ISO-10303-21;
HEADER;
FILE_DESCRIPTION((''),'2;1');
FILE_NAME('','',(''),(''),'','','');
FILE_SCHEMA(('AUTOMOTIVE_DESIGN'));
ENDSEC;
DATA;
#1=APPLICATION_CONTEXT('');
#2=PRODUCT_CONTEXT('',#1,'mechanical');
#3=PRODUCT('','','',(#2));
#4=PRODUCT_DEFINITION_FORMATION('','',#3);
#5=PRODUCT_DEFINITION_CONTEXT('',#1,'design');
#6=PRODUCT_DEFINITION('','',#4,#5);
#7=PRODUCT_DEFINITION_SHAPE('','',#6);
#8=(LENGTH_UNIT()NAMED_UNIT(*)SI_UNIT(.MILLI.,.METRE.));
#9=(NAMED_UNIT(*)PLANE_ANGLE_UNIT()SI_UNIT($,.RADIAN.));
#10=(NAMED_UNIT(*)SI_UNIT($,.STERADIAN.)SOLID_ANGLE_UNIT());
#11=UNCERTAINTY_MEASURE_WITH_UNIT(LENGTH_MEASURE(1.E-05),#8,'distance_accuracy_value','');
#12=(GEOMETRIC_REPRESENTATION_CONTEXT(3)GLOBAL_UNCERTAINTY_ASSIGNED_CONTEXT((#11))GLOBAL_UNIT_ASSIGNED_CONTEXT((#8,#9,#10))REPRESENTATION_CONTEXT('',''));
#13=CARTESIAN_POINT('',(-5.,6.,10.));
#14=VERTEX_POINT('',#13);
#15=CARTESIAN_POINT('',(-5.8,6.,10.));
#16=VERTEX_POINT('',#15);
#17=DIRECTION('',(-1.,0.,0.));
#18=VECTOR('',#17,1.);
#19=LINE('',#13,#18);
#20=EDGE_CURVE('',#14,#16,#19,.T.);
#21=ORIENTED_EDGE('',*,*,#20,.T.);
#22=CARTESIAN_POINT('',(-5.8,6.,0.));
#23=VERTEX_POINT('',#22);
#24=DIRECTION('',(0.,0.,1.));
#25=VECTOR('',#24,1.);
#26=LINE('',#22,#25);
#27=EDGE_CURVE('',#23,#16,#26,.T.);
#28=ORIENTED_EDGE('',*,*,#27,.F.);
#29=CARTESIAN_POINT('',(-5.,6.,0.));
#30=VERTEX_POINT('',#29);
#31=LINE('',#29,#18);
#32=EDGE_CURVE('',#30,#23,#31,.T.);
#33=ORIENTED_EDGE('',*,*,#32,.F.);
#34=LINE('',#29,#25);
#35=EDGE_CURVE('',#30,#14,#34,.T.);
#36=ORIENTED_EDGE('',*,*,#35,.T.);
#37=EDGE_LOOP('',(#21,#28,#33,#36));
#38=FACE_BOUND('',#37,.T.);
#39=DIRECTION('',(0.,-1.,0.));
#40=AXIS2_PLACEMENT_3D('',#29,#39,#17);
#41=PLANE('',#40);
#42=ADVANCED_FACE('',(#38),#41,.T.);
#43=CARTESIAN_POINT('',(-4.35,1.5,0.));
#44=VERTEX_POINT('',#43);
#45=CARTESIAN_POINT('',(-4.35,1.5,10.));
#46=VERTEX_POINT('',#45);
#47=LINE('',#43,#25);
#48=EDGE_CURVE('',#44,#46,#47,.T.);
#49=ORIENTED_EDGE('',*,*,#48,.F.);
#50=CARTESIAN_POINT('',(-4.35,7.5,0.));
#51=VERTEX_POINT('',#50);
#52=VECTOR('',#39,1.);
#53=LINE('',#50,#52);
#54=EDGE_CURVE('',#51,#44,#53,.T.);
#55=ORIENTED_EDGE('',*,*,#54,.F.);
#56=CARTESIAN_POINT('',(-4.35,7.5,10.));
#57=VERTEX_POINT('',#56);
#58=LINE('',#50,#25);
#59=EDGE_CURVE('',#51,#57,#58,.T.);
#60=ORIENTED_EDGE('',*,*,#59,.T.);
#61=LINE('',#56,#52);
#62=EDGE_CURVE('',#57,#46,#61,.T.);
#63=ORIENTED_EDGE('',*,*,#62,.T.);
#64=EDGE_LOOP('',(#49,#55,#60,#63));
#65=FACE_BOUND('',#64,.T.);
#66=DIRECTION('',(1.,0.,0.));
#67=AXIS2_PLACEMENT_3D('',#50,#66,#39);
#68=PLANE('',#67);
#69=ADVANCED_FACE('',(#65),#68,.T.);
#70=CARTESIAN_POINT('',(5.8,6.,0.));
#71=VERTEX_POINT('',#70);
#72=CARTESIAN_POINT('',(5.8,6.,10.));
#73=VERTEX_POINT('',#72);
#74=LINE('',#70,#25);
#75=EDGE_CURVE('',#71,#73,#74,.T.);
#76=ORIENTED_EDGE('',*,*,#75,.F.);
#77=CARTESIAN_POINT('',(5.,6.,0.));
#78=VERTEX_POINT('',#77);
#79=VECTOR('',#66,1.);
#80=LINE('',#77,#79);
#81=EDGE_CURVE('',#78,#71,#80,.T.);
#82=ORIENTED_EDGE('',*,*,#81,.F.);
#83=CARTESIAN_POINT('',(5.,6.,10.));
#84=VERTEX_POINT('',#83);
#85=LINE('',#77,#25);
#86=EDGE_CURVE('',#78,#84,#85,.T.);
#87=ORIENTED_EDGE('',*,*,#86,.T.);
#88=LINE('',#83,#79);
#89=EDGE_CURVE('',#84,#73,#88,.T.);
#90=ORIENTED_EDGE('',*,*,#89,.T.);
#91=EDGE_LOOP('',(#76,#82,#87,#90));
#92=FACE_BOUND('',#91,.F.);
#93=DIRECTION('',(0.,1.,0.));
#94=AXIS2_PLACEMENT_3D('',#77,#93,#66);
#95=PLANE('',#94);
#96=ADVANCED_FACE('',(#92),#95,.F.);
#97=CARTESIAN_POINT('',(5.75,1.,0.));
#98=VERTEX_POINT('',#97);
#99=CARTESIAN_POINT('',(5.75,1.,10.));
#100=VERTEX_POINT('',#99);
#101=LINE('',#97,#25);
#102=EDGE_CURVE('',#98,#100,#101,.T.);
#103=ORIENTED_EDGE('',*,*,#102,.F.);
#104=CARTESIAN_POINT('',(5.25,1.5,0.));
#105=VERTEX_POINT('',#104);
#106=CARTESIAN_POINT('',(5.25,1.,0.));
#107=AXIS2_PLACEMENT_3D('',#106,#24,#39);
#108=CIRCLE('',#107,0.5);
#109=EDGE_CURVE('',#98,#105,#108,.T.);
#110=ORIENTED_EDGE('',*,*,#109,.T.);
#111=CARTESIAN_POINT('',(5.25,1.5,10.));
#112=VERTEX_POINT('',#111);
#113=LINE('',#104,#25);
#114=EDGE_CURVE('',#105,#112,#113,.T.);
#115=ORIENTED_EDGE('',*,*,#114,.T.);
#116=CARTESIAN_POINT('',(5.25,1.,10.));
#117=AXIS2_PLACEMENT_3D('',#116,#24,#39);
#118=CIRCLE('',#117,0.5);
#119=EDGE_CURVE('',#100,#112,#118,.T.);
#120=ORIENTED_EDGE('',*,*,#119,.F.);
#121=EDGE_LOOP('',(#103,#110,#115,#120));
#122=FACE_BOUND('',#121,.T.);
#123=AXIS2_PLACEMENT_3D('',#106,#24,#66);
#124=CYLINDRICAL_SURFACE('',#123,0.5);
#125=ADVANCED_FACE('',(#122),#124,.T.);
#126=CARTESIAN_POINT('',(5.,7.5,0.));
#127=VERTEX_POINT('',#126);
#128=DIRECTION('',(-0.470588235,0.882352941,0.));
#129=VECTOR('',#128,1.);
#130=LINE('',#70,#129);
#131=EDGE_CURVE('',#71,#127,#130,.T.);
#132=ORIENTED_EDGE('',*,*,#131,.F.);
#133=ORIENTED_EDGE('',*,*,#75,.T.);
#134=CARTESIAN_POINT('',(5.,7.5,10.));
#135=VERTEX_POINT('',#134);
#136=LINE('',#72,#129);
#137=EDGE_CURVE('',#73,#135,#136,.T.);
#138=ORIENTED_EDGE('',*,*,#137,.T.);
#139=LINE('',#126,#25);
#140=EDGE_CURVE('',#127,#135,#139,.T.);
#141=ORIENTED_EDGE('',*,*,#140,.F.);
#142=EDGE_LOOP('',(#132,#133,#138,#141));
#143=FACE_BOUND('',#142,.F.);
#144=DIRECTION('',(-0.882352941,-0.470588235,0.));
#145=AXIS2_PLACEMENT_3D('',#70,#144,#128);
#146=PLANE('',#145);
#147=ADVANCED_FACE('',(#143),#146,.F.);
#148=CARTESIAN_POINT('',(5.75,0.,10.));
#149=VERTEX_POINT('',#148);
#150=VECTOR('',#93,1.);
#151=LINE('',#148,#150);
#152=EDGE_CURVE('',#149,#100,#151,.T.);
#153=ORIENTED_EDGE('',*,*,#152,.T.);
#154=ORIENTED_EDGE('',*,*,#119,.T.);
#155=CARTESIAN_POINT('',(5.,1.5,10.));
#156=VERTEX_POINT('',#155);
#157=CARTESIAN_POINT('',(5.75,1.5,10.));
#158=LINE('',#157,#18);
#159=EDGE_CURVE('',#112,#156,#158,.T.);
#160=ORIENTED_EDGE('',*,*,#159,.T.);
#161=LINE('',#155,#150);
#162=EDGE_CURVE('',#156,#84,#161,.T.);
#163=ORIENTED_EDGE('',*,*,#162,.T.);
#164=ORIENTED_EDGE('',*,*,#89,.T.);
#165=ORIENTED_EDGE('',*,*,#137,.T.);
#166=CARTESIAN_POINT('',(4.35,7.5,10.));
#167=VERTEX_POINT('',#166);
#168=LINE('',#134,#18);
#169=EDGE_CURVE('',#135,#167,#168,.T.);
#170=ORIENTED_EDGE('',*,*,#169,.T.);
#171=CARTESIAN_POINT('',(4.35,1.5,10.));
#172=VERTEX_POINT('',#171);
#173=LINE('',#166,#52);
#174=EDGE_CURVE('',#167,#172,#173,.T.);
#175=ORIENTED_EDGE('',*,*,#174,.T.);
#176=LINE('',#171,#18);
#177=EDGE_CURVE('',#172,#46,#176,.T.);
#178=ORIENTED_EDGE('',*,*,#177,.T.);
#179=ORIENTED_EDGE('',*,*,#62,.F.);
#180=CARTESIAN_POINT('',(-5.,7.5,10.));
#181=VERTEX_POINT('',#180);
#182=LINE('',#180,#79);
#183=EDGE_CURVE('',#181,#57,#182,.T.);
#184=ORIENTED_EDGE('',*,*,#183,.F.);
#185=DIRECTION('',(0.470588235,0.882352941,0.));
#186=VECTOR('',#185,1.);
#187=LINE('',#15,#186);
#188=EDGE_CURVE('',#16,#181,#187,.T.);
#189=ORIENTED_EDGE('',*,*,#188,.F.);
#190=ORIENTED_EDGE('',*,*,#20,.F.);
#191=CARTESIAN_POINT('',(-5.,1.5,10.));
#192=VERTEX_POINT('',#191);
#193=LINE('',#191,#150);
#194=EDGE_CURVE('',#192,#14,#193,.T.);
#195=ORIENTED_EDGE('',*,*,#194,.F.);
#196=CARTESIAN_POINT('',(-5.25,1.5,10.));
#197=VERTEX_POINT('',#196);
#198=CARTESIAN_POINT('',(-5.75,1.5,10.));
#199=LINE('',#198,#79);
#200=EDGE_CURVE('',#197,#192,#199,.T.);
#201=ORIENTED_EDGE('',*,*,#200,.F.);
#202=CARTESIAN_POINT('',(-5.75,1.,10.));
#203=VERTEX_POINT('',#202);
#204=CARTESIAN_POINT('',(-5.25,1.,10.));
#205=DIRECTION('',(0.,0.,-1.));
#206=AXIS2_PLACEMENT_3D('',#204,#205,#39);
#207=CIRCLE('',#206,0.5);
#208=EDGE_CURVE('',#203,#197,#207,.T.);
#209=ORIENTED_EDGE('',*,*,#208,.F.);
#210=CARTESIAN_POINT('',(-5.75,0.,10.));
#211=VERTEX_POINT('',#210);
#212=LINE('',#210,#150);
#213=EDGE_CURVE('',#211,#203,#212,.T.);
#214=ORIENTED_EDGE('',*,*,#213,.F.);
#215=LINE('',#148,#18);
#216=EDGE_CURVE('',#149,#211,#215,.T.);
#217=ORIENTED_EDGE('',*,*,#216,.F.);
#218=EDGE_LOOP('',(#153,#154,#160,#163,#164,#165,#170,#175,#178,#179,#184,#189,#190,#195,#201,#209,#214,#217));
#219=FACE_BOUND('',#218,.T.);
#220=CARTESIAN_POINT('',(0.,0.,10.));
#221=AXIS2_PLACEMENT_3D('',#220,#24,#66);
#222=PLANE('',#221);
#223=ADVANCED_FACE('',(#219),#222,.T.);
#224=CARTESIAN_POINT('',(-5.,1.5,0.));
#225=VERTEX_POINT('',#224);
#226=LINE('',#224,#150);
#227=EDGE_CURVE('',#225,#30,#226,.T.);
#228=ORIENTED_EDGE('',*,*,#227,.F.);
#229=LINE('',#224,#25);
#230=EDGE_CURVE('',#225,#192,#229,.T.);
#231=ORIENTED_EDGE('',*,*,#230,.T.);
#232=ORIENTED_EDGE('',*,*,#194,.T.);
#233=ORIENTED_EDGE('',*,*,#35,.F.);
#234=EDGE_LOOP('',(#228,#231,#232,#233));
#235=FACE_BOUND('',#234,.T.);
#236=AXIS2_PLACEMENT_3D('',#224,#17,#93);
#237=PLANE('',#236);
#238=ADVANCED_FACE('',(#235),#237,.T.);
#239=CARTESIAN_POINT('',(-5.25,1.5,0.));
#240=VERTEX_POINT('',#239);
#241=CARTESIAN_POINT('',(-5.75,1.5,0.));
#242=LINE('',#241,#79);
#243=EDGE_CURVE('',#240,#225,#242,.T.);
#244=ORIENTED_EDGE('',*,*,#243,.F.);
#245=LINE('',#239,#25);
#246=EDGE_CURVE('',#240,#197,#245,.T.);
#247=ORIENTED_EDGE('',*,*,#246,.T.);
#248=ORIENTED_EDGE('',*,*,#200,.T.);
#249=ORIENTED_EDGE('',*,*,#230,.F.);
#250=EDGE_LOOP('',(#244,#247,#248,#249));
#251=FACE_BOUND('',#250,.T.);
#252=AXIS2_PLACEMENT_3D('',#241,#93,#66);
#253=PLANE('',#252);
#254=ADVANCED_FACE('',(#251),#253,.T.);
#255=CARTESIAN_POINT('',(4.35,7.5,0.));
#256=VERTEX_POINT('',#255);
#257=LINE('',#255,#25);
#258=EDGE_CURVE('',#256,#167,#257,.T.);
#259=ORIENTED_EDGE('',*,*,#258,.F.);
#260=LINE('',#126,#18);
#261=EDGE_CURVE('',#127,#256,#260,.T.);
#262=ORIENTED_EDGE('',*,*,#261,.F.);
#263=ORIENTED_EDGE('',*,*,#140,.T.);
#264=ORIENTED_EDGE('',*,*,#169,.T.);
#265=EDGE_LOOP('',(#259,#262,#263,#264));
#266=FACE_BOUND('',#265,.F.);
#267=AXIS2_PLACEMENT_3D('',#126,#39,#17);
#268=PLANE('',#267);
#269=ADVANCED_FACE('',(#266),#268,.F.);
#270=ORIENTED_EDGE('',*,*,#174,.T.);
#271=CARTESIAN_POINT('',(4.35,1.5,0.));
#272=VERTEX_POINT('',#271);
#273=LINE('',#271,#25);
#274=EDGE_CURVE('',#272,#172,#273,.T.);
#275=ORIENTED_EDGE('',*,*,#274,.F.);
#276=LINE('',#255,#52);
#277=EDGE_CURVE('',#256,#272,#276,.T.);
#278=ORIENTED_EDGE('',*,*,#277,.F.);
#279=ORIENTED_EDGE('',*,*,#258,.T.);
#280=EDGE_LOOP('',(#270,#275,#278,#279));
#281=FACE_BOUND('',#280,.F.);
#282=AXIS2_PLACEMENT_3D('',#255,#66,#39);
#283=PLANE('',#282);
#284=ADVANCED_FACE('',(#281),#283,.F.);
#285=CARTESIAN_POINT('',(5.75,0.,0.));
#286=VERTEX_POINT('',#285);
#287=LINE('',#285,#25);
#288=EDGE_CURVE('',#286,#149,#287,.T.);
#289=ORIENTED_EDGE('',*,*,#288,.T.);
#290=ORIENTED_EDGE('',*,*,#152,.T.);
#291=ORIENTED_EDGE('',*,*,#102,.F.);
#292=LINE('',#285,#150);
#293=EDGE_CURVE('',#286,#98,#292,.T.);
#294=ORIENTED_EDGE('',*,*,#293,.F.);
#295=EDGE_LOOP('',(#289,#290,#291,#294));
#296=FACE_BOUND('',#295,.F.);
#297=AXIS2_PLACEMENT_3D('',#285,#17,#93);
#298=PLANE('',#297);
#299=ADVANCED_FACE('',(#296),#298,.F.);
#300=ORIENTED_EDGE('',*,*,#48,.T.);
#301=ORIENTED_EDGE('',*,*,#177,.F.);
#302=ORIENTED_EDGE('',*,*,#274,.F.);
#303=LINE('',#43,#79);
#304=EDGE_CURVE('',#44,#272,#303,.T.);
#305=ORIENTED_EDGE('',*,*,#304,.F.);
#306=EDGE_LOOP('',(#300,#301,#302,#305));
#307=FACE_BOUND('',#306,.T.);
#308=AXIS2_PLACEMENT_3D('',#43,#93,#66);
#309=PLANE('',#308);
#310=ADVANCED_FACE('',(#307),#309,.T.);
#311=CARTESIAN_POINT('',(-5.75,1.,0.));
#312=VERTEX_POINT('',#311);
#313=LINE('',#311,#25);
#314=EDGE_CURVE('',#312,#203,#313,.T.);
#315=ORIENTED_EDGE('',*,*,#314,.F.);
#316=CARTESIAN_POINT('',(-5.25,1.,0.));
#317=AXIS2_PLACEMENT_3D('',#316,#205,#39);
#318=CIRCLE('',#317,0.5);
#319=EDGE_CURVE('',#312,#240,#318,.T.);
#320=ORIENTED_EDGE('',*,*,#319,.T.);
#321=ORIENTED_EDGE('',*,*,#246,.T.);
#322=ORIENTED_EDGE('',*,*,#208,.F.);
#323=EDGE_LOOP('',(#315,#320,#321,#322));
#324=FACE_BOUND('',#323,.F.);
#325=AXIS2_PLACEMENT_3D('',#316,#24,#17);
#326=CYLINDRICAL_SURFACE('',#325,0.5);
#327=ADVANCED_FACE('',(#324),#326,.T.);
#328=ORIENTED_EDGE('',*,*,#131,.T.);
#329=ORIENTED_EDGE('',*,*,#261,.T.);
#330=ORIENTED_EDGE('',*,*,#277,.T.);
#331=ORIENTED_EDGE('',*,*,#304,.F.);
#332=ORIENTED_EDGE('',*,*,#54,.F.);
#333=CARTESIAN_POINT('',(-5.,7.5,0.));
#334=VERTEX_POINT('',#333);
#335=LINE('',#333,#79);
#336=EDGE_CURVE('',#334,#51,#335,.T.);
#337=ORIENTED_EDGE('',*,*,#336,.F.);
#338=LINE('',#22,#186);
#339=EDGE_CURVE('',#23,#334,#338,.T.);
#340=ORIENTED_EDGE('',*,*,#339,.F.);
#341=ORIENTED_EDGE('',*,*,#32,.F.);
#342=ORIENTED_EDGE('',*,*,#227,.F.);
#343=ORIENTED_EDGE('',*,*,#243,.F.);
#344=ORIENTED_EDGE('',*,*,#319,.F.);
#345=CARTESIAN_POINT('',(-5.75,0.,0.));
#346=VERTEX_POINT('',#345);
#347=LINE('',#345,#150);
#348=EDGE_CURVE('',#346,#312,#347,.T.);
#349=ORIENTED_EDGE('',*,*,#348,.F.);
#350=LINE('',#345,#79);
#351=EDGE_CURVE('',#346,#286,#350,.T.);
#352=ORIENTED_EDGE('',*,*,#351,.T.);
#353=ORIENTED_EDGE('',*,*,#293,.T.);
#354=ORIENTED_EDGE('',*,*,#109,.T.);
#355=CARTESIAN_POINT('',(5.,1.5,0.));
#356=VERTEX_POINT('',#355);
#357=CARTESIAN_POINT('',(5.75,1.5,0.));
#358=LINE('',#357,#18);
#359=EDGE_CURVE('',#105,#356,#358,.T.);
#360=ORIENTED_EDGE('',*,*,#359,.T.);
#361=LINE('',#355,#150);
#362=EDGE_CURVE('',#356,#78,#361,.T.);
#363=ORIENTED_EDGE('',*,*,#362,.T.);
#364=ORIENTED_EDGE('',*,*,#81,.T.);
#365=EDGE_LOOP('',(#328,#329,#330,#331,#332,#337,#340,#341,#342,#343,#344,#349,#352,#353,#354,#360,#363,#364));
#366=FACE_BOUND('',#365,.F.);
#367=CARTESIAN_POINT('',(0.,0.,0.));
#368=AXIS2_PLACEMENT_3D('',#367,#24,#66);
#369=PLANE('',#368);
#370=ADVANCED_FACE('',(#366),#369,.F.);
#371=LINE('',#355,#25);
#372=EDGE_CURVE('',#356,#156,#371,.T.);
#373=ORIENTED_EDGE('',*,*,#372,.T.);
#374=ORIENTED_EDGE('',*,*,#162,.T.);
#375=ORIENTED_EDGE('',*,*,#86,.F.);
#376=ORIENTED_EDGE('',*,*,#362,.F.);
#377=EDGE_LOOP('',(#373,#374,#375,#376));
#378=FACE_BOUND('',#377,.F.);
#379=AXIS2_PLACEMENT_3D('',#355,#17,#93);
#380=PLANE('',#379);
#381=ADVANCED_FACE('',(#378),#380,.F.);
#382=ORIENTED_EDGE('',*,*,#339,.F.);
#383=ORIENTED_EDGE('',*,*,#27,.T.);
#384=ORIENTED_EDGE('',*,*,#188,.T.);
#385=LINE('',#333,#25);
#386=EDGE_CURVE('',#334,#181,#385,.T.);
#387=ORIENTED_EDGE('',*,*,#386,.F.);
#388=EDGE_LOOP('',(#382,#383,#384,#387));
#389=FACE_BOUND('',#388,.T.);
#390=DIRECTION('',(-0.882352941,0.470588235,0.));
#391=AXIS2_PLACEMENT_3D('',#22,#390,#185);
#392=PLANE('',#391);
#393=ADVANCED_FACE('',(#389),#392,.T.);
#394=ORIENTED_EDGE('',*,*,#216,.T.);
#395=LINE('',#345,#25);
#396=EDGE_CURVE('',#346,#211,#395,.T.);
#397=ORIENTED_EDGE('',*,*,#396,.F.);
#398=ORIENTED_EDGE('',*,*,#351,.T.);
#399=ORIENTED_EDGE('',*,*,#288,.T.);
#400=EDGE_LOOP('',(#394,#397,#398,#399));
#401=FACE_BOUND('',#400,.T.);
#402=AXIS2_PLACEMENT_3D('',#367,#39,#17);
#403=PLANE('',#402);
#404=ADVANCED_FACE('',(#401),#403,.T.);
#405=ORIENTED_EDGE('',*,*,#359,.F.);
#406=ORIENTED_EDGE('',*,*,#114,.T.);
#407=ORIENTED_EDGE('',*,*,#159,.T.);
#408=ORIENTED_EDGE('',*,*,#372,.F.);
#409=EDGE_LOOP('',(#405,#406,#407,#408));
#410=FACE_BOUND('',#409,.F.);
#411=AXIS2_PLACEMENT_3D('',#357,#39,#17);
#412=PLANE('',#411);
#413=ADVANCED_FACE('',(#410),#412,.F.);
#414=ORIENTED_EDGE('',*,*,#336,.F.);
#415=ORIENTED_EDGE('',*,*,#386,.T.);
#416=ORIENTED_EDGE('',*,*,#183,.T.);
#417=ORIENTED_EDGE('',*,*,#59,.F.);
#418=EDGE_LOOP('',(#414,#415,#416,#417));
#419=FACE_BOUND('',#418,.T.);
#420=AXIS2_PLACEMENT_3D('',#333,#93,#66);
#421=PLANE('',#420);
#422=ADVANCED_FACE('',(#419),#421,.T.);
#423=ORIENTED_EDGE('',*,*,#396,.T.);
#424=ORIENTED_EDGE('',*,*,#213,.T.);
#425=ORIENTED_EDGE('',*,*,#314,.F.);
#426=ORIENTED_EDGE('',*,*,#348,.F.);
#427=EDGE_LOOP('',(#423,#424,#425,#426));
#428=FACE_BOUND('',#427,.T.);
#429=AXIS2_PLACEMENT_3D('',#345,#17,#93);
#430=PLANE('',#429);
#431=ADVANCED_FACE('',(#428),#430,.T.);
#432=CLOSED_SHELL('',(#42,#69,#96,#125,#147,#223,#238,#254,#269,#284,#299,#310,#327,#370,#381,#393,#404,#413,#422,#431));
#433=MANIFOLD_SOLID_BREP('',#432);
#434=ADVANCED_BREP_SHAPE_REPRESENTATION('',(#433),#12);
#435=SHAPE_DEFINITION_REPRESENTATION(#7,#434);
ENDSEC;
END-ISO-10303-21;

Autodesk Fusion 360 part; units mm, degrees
sketch "Skizze1" plane through (0, 0, 0) normal (0, 0, 1) x (1, 0, 0)
  line L0 (0, 0) -> (-5.75, 0)
  line L1 (-5.75, 0) -> (-5.75, 1.5)
  line L2 (-5.75, 1.5) -> (-5, 1.5)
  line L3 (-5, 1.5) -> (-5, 6)
  line L4 (-5, 6) -> (-5.8, 6)
  line L5 (-5.8, 6) -> (-5, 7.5)
  line L6 (-5, 7.5) -> (-4.35, 7.5)
  line L7 (-4.35, 7.5) -> (-4.35, 1.5)
  line L8 (-4.35, 1.5) -> (0, 1.5)
  line L9 (0, 1.5) -> (0, 0)
  line L10 (0, 2.5) -> (0, 20)
  line L11 (0, 0) -> (5.75, 0)
  line L12 (5.75, 0) -> (5.75, 1.5)
  line L13 (5.75, 1.5) -> (5, 1.5)
  line L14 (5, 6) -> (5.8, 6)
  line L15 (5.8, 6) -> (5, 7.5)
  line L16 (5, 7.5) -> (4.35, 7.5)
  line L17 (4.35, 1.5) -> (0, 1.5)
  line L18 (0, 1.5) -> (0, 0)
  line L19 (5, 1.5) -> (5, 6)
  line L20 (4.35, 7.5) -> (4.35, 1.5)
  dimension "d1" = 1.5
  dimension "d2" = 1.5
  dimension "d3" = 1.5
  dimension "d4" = 7.5
  dimension "d5" = 5.75
  dimension "d6" = 4.35
  dimension "d7" = 5.8
  dimension "d8" = 5
  dimension "d10" = 0.65
extrude "Extrusion1" add sketch "Skizze1" along normal blind 10
fillet "Abrundung1" radius 0.5 2 edges at (5.75, 1.5, 5) (-5.75, 1.5, 5)
equation "d5 = ( 11.5 / 2 ) * 1 mm"
equation "d6 = ( 8.7 / 2 ) * 1 mm"
equation "d7 = ( 11.6 / 2 ) * 1 mm"
equation "d10 = d8 - d6"
